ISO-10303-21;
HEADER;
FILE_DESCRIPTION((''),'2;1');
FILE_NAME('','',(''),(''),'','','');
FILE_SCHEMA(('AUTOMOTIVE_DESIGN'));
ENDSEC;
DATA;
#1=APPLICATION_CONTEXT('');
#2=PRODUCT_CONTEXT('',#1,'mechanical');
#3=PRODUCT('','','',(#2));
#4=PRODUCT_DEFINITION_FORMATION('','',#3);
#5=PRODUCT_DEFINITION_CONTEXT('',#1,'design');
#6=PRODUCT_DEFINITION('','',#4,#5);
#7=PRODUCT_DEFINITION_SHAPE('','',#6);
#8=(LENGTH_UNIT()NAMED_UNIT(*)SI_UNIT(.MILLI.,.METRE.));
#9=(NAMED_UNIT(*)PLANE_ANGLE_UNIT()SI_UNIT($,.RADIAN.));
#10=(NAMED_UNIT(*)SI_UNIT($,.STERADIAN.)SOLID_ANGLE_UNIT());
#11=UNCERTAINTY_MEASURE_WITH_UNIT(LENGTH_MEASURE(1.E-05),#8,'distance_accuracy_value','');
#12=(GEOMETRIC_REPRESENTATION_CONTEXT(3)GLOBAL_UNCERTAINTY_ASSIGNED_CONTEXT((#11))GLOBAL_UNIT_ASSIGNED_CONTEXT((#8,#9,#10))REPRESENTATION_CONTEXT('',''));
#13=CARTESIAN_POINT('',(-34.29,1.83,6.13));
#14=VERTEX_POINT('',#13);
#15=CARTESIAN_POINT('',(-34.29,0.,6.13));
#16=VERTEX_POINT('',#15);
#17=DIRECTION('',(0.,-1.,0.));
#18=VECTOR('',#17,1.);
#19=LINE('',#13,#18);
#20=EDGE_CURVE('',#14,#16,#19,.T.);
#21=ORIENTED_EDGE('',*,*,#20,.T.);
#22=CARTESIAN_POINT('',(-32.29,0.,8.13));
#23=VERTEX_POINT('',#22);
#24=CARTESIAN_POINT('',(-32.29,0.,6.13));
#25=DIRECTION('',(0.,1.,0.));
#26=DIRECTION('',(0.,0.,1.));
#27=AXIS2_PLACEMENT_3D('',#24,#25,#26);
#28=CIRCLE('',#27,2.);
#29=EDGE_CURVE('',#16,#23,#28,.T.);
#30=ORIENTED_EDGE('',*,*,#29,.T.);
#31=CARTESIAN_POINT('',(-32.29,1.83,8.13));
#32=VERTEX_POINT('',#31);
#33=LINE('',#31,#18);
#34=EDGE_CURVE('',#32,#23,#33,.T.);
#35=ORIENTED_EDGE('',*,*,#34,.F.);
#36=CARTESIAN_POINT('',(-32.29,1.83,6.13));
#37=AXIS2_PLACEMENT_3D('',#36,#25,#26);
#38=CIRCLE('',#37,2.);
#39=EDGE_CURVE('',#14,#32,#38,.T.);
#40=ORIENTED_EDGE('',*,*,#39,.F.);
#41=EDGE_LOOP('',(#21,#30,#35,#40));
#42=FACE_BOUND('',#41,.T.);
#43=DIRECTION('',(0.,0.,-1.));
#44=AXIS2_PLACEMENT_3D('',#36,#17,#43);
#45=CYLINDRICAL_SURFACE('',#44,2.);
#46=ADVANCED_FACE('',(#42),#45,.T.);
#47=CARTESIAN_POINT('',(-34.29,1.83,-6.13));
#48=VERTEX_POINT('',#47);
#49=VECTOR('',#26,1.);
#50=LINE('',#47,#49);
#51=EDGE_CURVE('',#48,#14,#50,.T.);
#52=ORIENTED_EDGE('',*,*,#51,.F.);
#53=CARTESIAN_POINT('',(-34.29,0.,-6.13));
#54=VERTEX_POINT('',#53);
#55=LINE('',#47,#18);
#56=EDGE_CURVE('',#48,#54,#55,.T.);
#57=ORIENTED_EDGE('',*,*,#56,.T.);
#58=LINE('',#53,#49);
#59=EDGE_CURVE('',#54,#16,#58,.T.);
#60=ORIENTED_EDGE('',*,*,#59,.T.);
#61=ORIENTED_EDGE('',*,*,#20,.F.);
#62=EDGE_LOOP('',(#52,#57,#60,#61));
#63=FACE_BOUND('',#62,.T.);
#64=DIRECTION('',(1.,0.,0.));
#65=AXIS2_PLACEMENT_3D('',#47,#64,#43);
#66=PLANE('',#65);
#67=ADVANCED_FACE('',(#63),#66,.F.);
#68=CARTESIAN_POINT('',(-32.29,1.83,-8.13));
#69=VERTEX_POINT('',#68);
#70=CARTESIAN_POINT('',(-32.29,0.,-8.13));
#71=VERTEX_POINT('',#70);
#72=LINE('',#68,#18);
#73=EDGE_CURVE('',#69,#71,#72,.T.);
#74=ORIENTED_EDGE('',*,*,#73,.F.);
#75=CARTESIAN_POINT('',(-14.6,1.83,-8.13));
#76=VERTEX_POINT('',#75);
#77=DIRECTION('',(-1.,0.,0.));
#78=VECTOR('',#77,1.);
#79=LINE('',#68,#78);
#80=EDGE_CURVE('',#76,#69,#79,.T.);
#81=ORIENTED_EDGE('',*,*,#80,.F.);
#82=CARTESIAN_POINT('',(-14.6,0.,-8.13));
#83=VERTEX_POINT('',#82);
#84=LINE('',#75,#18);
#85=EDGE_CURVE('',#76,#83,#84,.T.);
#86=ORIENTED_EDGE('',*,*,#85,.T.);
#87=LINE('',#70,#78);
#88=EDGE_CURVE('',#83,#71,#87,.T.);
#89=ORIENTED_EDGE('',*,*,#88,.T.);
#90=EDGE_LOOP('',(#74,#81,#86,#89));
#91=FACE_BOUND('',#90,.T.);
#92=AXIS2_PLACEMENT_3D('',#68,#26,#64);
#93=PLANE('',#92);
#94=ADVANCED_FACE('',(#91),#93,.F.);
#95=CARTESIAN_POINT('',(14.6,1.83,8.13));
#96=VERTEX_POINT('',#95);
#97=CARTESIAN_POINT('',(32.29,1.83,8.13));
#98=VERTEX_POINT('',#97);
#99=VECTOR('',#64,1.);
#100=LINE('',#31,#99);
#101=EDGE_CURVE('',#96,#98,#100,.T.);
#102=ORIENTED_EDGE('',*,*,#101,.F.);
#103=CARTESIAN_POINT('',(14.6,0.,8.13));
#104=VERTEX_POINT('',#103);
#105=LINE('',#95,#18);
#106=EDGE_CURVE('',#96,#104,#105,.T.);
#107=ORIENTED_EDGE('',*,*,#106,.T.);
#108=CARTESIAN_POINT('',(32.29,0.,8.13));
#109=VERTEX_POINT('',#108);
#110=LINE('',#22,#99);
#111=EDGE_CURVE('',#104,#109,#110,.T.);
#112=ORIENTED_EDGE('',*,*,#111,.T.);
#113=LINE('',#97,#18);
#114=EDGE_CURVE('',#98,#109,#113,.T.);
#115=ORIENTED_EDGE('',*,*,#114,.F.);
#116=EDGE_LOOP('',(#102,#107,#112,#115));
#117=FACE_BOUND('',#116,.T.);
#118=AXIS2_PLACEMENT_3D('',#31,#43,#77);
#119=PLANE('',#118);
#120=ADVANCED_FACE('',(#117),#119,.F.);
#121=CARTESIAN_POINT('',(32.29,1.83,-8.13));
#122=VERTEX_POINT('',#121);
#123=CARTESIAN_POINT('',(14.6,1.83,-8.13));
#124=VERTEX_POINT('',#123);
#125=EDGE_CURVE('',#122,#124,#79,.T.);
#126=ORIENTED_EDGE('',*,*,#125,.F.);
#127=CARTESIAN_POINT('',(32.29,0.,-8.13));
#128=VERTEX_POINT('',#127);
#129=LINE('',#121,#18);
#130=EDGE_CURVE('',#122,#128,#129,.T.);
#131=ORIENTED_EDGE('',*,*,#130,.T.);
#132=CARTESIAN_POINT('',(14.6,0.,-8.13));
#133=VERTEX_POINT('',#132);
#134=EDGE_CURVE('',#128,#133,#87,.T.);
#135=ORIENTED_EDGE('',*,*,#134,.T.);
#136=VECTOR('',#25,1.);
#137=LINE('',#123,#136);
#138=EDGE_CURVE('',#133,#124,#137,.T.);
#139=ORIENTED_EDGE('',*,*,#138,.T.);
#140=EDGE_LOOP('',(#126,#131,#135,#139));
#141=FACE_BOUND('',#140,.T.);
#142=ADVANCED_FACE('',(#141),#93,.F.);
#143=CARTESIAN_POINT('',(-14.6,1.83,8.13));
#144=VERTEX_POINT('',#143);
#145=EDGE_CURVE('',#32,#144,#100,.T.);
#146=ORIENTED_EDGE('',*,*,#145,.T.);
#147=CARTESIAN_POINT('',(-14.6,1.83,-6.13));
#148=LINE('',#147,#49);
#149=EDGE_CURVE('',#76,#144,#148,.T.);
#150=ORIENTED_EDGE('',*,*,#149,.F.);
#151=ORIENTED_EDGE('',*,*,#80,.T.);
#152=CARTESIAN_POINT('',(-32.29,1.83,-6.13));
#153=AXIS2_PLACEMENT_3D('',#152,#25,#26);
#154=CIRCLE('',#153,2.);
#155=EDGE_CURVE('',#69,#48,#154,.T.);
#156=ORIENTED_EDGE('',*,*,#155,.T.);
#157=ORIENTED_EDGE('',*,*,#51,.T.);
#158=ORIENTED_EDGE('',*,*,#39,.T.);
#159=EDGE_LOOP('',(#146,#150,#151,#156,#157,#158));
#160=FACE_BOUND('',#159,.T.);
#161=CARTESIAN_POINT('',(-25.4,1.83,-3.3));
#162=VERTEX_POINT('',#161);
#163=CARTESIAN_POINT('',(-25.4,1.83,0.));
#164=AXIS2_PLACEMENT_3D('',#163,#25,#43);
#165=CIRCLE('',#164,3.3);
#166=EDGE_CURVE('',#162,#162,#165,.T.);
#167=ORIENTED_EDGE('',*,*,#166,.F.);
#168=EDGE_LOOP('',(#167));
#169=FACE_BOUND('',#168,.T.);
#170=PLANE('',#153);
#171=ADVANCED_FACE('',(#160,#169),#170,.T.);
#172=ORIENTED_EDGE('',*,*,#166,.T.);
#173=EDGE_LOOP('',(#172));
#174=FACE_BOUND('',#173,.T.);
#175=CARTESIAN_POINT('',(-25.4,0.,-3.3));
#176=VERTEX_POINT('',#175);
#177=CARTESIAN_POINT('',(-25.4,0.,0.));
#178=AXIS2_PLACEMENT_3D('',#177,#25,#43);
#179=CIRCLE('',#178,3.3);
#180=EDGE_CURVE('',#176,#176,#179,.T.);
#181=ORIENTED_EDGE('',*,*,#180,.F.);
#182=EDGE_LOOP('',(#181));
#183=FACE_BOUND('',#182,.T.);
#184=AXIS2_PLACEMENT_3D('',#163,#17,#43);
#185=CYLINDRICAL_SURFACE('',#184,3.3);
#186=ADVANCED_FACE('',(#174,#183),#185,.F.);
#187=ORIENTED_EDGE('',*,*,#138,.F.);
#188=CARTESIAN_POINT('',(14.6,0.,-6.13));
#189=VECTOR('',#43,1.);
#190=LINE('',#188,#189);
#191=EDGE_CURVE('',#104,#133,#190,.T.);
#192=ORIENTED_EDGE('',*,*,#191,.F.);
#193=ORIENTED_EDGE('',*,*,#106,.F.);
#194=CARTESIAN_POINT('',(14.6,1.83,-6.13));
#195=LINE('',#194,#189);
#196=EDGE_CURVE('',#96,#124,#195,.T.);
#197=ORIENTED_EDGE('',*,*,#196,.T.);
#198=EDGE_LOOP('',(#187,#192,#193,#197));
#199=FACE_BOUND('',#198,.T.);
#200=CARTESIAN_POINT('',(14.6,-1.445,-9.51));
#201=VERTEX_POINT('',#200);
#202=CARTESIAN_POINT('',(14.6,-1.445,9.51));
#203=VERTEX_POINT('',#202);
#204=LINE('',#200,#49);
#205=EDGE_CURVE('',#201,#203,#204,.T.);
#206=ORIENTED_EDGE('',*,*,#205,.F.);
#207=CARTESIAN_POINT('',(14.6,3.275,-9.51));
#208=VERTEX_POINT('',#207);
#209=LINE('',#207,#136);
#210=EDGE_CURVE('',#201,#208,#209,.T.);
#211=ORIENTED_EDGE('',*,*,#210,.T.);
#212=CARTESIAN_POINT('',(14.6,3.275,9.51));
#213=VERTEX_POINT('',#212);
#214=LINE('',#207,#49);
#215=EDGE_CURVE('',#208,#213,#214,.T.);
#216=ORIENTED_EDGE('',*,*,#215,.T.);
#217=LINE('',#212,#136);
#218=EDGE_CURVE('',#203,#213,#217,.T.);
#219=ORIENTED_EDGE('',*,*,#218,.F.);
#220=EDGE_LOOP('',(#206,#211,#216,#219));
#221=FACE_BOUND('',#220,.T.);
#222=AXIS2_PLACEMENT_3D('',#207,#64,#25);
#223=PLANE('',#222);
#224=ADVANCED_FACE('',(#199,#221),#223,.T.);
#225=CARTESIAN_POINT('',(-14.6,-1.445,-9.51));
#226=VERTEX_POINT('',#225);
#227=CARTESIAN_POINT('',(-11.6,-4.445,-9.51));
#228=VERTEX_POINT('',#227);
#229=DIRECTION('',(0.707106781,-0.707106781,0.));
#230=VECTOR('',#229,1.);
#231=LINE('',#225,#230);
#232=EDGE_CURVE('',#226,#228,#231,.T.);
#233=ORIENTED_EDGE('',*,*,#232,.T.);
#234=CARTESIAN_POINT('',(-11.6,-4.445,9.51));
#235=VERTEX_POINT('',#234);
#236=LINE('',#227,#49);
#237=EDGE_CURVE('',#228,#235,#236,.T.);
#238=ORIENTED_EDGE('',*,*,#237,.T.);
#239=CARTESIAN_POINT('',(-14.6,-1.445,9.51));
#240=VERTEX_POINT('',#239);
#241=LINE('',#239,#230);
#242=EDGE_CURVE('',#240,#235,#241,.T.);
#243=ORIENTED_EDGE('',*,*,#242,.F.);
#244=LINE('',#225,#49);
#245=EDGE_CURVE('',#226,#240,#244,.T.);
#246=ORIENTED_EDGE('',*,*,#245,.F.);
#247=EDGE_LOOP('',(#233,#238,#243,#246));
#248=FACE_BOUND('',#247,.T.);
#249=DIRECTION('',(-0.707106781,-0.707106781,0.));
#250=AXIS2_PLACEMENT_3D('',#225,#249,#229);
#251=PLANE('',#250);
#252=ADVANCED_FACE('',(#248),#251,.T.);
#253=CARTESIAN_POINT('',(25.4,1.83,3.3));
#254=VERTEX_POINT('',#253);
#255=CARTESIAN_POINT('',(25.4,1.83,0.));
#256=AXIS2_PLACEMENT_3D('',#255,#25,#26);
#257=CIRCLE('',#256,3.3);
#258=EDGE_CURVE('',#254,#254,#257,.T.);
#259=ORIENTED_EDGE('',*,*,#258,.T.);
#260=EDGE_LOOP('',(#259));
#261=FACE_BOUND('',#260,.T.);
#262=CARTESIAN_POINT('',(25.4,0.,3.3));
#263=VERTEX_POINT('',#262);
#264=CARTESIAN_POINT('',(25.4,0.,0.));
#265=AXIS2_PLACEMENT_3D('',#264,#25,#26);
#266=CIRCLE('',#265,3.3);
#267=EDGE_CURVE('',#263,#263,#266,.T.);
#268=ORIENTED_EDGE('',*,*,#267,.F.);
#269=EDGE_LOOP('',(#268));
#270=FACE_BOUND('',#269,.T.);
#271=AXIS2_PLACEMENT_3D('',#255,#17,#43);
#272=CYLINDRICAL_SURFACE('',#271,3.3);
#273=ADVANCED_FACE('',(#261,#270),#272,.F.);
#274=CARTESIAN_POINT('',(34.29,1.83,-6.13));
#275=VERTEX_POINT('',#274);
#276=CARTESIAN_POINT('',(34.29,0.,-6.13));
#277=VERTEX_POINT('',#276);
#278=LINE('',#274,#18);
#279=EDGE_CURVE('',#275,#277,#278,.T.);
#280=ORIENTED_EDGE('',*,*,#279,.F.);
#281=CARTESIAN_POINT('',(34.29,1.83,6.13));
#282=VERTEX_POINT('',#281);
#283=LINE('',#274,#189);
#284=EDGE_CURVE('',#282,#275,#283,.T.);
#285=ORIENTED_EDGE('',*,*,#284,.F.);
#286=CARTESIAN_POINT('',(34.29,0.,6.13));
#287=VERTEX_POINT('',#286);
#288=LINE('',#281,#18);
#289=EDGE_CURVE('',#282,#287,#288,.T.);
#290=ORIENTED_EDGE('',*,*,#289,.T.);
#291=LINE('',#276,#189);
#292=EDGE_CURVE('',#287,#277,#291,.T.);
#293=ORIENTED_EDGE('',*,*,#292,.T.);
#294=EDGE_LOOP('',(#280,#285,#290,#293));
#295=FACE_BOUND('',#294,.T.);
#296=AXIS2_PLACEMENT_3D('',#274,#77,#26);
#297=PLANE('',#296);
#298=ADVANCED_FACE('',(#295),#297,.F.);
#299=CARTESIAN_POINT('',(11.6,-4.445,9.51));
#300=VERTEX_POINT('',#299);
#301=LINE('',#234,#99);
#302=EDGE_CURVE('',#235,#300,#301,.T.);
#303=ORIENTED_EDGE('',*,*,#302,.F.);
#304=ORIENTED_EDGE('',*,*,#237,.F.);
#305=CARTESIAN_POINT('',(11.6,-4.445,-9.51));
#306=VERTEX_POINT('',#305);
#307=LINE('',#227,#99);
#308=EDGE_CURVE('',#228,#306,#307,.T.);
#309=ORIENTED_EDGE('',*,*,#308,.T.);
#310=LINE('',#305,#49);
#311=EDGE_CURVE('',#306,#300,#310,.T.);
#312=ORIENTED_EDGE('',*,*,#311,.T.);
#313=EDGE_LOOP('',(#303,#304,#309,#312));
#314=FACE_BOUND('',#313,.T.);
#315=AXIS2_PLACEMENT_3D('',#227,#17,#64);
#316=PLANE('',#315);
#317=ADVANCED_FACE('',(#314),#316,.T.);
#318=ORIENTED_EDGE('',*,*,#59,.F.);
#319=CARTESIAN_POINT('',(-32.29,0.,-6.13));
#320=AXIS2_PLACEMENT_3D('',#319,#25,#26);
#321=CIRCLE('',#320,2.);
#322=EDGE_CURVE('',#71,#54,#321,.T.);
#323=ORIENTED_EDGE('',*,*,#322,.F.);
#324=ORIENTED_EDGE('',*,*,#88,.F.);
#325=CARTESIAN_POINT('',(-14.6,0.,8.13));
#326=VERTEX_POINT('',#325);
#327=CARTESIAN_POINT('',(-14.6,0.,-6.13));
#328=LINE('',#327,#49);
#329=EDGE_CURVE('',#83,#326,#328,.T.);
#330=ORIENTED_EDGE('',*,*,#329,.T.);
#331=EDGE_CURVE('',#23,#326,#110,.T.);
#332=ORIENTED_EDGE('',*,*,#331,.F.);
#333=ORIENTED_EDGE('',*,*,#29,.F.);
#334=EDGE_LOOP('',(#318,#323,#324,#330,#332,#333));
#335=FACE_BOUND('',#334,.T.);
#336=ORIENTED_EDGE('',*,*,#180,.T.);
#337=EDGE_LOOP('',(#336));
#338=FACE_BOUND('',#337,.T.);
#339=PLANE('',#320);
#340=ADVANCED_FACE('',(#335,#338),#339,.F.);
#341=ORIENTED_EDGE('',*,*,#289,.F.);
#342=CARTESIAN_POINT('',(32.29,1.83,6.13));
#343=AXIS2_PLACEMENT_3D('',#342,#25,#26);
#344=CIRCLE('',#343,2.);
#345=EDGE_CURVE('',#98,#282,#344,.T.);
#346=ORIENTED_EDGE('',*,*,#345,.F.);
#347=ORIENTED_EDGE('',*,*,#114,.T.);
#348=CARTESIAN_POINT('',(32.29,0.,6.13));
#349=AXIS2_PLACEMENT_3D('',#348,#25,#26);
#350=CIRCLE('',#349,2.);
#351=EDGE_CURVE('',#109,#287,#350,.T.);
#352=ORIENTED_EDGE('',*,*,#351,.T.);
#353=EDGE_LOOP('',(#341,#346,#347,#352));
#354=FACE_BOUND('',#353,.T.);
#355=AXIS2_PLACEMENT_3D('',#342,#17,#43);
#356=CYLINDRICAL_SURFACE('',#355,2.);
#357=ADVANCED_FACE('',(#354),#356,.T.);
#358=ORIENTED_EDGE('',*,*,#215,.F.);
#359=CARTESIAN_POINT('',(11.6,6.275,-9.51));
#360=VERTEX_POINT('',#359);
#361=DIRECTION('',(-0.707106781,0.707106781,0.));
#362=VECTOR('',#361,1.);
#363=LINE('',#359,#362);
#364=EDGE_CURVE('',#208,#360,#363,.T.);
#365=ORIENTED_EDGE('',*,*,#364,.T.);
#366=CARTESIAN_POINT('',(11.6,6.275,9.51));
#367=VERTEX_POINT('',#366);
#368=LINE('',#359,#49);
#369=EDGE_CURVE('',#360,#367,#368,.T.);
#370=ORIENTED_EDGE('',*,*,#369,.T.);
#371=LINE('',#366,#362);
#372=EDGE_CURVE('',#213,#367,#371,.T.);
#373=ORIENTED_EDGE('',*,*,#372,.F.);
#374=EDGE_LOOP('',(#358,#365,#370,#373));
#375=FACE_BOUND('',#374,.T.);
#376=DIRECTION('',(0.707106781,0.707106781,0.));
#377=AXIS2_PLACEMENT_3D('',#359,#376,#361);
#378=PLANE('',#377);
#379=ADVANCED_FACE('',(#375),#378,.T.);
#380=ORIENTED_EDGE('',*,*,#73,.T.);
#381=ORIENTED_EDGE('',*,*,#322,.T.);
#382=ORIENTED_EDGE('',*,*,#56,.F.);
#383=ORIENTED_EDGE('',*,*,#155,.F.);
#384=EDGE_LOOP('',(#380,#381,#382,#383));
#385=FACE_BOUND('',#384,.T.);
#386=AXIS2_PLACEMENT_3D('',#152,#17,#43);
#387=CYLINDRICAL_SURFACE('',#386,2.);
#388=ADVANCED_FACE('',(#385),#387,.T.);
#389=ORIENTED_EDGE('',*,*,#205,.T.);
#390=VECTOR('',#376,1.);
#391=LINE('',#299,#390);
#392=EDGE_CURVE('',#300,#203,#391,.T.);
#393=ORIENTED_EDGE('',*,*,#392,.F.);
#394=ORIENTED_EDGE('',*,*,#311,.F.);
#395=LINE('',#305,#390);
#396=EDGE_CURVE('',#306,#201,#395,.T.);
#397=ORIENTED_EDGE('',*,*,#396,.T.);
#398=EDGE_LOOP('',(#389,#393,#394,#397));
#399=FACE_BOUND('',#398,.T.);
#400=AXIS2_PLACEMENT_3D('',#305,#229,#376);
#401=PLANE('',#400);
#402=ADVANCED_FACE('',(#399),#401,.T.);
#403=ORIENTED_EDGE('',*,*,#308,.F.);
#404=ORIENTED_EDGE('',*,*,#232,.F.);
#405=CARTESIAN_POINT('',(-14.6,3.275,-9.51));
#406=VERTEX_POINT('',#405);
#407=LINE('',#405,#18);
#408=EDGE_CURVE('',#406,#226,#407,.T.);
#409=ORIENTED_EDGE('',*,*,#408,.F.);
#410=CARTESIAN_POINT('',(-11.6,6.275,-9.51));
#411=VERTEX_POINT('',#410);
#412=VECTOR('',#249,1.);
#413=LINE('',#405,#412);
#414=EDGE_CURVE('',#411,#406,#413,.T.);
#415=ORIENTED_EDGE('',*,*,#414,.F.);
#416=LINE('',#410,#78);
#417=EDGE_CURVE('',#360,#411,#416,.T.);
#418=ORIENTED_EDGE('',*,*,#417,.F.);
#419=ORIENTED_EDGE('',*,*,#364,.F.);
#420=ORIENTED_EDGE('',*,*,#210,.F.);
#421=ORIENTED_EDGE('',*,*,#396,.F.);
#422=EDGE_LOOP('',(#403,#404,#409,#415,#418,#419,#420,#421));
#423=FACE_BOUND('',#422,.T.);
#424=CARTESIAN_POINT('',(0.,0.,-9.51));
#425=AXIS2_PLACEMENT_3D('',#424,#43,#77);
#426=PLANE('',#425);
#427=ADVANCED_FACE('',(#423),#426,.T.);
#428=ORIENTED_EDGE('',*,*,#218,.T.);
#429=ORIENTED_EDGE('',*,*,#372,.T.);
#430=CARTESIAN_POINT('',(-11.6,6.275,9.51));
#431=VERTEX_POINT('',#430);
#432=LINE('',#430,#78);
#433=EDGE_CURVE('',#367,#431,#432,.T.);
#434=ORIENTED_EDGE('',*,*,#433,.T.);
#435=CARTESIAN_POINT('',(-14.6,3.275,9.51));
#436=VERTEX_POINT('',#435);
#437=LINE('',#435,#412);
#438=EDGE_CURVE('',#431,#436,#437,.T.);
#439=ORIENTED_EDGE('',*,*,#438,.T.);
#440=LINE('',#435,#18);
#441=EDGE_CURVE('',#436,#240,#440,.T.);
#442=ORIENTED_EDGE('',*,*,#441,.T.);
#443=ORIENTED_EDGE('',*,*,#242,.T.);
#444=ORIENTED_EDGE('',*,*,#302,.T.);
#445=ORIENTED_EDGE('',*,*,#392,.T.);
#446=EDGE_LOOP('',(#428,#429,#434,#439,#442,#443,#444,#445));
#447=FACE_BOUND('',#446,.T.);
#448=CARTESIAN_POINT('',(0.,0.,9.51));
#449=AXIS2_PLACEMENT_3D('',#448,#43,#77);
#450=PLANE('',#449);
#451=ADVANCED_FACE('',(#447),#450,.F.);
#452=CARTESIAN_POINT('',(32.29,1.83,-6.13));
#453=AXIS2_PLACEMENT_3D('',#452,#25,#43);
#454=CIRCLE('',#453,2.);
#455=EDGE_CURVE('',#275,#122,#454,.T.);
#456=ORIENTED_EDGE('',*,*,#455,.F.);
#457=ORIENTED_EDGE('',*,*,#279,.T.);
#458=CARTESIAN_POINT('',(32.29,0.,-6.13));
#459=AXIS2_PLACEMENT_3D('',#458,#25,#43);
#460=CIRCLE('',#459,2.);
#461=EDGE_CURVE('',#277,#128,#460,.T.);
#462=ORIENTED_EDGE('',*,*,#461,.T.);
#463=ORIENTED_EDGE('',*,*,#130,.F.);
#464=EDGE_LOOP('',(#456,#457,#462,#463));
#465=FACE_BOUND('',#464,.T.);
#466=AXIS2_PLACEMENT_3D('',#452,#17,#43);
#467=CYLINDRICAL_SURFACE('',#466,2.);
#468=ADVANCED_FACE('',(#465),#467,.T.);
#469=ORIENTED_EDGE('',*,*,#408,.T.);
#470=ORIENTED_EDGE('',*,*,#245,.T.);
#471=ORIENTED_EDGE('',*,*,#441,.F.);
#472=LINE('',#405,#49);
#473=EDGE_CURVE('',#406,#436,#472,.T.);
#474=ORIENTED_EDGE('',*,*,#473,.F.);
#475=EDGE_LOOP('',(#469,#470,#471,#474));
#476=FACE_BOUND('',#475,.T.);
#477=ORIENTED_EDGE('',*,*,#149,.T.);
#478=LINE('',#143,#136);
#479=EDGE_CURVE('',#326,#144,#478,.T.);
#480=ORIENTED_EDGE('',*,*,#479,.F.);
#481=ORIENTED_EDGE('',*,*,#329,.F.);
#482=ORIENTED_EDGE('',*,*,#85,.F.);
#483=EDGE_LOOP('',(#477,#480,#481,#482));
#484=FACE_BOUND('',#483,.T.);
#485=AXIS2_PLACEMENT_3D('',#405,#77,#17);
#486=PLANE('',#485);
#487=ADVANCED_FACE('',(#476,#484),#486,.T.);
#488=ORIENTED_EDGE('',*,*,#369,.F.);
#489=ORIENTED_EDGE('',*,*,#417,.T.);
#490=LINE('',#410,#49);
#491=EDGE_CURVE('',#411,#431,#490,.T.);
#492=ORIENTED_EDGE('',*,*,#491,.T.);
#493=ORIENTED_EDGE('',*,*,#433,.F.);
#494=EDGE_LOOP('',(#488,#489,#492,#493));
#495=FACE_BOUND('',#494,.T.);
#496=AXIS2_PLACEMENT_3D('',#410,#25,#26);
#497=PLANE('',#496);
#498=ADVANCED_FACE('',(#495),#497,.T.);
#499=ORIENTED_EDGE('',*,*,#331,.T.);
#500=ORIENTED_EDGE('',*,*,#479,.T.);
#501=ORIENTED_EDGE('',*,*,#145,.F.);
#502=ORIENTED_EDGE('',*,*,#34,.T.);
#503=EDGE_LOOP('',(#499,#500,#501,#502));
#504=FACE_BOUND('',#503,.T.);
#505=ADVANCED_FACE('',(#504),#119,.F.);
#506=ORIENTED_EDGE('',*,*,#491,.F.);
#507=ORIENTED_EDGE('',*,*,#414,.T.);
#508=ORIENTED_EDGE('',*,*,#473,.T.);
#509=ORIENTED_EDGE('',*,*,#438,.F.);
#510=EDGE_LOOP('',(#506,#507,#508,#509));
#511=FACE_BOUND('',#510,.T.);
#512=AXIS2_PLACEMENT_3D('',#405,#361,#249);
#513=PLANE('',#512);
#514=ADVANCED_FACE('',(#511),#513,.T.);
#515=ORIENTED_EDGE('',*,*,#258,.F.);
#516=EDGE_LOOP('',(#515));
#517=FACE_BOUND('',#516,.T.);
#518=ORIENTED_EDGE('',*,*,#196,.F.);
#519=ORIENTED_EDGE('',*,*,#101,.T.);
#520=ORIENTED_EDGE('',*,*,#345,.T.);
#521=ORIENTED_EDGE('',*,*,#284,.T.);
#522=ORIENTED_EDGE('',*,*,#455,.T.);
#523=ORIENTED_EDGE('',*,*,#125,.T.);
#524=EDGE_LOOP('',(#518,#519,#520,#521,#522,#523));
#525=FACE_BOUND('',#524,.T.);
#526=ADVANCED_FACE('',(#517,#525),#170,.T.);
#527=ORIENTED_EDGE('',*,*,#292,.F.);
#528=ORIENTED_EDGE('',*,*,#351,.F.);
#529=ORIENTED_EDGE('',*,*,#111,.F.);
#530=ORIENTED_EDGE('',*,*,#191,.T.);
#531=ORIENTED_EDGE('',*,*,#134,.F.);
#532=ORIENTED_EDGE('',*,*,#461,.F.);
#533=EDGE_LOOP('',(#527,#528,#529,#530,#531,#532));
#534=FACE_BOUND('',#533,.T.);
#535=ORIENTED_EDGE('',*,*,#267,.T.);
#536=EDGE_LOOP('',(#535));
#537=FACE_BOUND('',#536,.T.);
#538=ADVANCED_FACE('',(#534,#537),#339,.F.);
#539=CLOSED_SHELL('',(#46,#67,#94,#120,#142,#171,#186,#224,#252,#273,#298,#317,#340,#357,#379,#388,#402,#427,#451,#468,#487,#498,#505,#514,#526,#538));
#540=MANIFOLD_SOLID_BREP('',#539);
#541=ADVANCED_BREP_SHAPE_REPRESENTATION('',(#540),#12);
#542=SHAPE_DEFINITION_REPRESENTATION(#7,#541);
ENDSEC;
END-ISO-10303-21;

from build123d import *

# Parameters (mm, degrees)
SKETCH1_R                = 3.3
BOSS_EXTRUDE1_DEPTH      = 1.83
BOSS_EXTRUDE2_DEPTH      = 9.51
BOSS_EXTRUDE2_DEPTH_BACK = 9.51


with BuildPart() as part:
    # Sketch1 → Boss-Extrude1 (new body)
    with BuildSketch(Plane(origin=(0, 0, 0), x_dir=(1, 0, 0), z_dir=(0, 1, 0))):
        with BuildLine():
            Line((-32.29, 8.13), (32.29, 8.13))
            ThreePointArc((32.29, 8.13), (33.704213562, 7.544213562), (34.29, 6.13))
            Line((34.29, 6.13), (34.29, -6.13))
            ThreePointArc((34.29, -6.13), (33.704213562, -7.544213562), (32.29, -8.13))
            Line((32.29, -8.13), (-32.29, -8.13))
            ThreePointArc((-32.29, -8.13), (-33.704213562, -7.544213562), (-34.29, -6.13))
            Line((-34.29, -6.13), (-34.29, 6.13))
            ThreePointArc((-34.29, 6.13), (-33.704213562, 7.544213562), (-32.29, 8.13))
        make_face()
        with Locations((25.4, 0)):
            Circle(SKETCH1_R, mode=Mode.SUBTRACT)
        with Locations((-25.4, 0)):
            Circle(SKETCH1_R, mode=Mode.SUBTRACT)
    extrude(amount=BOSS_EXTRUDE1_DEPTH)

    # Sketch2 → Boss-Extrude2 (add, two sides)
    with BuildSketch(Plane.XY) as boss_extrude2_sk:
        Polygon((-14.6, 3.275), (-11.6, 6.275), (11.6, 6.275), (14.6, 3.275), (14.6, -1.445), (11.6, -4.445), (-11.6, -4.445), (-14.6, -1.445), align=None)
    extrude(amount=BOSS_EXTRUDE2_DEPTH)
    extrude(boss_extrude2_sk.sketch, amount=-BOSS_EXTRUDE2_DEPTH_BACK)


solid = part.part
